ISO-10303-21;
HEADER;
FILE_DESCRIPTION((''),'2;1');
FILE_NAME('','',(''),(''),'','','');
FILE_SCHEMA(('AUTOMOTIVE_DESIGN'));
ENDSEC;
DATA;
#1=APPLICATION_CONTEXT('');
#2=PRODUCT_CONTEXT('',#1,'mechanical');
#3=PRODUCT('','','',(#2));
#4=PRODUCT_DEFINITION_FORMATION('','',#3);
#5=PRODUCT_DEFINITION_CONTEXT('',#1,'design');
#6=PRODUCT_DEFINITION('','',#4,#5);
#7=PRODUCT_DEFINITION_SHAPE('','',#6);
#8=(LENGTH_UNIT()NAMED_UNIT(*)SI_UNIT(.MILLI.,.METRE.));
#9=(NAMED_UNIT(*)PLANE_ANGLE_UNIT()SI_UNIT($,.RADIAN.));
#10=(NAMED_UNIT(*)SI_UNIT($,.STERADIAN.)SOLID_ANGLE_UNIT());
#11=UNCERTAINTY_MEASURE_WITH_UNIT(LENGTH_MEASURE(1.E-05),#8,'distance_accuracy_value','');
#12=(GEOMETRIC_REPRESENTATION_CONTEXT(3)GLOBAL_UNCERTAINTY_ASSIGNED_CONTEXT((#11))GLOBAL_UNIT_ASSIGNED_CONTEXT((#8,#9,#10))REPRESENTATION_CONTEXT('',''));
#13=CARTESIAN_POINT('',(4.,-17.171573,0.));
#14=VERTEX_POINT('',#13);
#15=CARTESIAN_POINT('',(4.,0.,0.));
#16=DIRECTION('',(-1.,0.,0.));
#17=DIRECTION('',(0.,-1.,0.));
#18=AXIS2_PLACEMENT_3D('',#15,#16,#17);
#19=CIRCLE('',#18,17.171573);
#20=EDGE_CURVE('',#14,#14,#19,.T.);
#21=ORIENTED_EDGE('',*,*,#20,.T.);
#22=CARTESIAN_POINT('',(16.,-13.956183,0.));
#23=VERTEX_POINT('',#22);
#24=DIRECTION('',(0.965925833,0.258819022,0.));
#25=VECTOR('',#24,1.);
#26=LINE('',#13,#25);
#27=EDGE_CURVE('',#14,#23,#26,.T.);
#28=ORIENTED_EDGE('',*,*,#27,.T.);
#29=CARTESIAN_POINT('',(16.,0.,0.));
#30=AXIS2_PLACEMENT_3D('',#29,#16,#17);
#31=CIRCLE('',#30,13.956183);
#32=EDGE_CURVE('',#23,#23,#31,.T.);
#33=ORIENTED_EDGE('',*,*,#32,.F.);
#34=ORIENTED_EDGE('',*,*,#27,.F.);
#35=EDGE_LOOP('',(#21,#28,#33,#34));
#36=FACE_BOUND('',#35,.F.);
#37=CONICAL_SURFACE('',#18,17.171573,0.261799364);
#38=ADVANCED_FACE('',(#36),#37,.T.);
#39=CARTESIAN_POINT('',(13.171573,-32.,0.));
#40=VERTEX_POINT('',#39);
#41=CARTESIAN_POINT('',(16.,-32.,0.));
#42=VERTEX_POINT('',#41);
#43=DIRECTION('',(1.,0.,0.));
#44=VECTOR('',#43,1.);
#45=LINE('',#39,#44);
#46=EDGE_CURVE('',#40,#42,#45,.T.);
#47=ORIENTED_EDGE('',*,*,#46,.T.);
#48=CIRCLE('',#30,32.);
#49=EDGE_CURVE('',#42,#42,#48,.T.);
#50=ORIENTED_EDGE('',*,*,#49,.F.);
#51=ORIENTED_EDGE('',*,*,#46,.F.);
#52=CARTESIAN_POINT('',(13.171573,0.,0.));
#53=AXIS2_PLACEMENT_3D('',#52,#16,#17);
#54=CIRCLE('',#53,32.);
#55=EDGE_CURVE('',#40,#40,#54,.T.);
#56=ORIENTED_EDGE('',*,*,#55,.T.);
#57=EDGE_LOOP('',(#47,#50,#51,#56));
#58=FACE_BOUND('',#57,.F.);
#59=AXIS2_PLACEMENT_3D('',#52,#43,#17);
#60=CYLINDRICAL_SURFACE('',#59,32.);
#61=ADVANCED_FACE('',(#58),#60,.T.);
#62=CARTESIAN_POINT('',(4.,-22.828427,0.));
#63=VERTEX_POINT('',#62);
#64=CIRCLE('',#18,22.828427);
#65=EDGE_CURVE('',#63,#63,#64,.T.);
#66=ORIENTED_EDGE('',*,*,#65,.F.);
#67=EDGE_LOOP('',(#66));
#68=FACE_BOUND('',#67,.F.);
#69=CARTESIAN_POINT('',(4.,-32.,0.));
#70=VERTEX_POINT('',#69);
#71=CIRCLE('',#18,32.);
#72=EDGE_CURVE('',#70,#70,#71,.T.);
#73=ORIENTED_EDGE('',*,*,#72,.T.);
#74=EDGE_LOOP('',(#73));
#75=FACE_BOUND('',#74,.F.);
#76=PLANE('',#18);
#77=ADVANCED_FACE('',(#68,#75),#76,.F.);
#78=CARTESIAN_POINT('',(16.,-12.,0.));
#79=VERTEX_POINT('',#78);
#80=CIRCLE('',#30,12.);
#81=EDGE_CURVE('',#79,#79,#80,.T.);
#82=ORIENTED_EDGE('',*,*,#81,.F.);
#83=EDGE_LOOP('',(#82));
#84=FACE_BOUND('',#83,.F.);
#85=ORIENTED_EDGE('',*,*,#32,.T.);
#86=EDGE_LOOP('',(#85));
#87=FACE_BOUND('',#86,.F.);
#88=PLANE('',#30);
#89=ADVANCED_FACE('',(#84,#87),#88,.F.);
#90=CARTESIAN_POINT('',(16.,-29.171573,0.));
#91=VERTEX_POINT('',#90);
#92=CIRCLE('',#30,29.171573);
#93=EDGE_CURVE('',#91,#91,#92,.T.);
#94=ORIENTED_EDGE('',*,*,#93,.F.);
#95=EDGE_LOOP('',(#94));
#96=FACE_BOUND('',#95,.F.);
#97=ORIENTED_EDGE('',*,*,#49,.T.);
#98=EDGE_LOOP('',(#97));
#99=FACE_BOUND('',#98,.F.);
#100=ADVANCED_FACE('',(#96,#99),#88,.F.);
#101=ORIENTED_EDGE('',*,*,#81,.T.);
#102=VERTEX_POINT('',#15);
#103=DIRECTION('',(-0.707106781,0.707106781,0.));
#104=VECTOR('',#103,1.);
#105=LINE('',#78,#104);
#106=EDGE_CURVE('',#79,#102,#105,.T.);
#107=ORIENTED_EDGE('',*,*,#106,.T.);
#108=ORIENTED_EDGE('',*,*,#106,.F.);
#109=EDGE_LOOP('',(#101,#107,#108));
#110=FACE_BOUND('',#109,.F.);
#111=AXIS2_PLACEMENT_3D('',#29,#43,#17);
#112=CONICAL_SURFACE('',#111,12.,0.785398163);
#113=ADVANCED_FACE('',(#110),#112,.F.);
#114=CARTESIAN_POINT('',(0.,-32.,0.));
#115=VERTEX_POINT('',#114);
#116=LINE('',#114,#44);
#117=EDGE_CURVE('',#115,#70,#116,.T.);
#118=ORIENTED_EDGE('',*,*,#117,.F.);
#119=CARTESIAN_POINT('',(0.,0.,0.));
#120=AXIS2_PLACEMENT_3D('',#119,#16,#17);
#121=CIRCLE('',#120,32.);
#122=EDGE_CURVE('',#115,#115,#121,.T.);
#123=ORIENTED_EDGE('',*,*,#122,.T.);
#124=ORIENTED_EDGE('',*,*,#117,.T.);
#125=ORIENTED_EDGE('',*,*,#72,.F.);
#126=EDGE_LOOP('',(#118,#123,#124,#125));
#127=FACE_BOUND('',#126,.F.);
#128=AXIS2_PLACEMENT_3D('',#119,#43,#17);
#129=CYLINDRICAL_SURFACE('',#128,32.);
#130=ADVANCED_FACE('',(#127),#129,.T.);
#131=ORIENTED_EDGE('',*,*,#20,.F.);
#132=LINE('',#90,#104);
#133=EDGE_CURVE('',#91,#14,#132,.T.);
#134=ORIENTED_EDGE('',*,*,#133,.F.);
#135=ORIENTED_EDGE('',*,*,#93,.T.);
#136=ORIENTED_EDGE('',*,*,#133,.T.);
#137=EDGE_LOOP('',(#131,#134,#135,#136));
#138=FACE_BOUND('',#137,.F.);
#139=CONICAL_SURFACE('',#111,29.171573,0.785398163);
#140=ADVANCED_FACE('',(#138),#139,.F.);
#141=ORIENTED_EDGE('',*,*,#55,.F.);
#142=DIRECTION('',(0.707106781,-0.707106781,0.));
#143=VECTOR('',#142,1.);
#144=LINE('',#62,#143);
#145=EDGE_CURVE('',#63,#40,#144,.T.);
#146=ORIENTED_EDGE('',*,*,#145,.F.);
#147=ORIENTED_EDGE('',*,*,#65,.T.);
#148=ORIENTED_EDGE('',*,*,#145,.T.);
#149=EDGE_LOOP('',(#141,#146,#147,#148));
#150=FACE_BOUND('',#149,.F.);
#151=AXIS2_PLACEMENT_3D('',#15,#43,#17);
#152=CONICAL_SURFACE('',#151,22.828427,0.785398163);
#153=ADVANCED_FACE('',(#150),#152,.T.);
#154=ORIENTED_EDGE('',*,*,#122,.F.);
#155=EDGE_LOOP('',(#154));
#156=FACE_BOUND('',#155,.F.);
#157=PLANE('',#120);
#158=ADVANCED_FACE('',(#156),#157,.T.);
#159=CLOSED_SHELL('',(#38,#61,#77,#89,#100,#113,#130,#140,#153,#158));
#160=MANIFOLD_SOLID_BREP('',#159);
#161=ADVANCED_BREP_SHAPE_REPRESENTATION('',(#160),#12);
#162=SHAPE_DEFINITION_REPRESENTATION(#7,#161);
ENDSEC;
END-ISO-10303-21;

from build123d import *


with BuildPart() as f1:
    # F0 (on Top) → F1 (revolve)
    with BuildSketch(Plane.XY):
        Polygon((4, 0), (0, 0), (0, -32), (4, -32), (4, -22.828427), (13.171573, -32), (16, -32), (16, -29.171573), (4, -17.171573), (16, -13.956183), (16, -12), align=None)
        Polygon((4, -13.030468), (4, -5.656854), (9.815386, -11.47224), align=None, mode=Mode.SUBTRACT)
        Polygon((9.815386, -11.47224), (4, -5.656854), (4, -13.030468), align=None)
    revolve(axis=Axis((2, 0, 0), (-1, 0, 0)))


solid = f1.part
